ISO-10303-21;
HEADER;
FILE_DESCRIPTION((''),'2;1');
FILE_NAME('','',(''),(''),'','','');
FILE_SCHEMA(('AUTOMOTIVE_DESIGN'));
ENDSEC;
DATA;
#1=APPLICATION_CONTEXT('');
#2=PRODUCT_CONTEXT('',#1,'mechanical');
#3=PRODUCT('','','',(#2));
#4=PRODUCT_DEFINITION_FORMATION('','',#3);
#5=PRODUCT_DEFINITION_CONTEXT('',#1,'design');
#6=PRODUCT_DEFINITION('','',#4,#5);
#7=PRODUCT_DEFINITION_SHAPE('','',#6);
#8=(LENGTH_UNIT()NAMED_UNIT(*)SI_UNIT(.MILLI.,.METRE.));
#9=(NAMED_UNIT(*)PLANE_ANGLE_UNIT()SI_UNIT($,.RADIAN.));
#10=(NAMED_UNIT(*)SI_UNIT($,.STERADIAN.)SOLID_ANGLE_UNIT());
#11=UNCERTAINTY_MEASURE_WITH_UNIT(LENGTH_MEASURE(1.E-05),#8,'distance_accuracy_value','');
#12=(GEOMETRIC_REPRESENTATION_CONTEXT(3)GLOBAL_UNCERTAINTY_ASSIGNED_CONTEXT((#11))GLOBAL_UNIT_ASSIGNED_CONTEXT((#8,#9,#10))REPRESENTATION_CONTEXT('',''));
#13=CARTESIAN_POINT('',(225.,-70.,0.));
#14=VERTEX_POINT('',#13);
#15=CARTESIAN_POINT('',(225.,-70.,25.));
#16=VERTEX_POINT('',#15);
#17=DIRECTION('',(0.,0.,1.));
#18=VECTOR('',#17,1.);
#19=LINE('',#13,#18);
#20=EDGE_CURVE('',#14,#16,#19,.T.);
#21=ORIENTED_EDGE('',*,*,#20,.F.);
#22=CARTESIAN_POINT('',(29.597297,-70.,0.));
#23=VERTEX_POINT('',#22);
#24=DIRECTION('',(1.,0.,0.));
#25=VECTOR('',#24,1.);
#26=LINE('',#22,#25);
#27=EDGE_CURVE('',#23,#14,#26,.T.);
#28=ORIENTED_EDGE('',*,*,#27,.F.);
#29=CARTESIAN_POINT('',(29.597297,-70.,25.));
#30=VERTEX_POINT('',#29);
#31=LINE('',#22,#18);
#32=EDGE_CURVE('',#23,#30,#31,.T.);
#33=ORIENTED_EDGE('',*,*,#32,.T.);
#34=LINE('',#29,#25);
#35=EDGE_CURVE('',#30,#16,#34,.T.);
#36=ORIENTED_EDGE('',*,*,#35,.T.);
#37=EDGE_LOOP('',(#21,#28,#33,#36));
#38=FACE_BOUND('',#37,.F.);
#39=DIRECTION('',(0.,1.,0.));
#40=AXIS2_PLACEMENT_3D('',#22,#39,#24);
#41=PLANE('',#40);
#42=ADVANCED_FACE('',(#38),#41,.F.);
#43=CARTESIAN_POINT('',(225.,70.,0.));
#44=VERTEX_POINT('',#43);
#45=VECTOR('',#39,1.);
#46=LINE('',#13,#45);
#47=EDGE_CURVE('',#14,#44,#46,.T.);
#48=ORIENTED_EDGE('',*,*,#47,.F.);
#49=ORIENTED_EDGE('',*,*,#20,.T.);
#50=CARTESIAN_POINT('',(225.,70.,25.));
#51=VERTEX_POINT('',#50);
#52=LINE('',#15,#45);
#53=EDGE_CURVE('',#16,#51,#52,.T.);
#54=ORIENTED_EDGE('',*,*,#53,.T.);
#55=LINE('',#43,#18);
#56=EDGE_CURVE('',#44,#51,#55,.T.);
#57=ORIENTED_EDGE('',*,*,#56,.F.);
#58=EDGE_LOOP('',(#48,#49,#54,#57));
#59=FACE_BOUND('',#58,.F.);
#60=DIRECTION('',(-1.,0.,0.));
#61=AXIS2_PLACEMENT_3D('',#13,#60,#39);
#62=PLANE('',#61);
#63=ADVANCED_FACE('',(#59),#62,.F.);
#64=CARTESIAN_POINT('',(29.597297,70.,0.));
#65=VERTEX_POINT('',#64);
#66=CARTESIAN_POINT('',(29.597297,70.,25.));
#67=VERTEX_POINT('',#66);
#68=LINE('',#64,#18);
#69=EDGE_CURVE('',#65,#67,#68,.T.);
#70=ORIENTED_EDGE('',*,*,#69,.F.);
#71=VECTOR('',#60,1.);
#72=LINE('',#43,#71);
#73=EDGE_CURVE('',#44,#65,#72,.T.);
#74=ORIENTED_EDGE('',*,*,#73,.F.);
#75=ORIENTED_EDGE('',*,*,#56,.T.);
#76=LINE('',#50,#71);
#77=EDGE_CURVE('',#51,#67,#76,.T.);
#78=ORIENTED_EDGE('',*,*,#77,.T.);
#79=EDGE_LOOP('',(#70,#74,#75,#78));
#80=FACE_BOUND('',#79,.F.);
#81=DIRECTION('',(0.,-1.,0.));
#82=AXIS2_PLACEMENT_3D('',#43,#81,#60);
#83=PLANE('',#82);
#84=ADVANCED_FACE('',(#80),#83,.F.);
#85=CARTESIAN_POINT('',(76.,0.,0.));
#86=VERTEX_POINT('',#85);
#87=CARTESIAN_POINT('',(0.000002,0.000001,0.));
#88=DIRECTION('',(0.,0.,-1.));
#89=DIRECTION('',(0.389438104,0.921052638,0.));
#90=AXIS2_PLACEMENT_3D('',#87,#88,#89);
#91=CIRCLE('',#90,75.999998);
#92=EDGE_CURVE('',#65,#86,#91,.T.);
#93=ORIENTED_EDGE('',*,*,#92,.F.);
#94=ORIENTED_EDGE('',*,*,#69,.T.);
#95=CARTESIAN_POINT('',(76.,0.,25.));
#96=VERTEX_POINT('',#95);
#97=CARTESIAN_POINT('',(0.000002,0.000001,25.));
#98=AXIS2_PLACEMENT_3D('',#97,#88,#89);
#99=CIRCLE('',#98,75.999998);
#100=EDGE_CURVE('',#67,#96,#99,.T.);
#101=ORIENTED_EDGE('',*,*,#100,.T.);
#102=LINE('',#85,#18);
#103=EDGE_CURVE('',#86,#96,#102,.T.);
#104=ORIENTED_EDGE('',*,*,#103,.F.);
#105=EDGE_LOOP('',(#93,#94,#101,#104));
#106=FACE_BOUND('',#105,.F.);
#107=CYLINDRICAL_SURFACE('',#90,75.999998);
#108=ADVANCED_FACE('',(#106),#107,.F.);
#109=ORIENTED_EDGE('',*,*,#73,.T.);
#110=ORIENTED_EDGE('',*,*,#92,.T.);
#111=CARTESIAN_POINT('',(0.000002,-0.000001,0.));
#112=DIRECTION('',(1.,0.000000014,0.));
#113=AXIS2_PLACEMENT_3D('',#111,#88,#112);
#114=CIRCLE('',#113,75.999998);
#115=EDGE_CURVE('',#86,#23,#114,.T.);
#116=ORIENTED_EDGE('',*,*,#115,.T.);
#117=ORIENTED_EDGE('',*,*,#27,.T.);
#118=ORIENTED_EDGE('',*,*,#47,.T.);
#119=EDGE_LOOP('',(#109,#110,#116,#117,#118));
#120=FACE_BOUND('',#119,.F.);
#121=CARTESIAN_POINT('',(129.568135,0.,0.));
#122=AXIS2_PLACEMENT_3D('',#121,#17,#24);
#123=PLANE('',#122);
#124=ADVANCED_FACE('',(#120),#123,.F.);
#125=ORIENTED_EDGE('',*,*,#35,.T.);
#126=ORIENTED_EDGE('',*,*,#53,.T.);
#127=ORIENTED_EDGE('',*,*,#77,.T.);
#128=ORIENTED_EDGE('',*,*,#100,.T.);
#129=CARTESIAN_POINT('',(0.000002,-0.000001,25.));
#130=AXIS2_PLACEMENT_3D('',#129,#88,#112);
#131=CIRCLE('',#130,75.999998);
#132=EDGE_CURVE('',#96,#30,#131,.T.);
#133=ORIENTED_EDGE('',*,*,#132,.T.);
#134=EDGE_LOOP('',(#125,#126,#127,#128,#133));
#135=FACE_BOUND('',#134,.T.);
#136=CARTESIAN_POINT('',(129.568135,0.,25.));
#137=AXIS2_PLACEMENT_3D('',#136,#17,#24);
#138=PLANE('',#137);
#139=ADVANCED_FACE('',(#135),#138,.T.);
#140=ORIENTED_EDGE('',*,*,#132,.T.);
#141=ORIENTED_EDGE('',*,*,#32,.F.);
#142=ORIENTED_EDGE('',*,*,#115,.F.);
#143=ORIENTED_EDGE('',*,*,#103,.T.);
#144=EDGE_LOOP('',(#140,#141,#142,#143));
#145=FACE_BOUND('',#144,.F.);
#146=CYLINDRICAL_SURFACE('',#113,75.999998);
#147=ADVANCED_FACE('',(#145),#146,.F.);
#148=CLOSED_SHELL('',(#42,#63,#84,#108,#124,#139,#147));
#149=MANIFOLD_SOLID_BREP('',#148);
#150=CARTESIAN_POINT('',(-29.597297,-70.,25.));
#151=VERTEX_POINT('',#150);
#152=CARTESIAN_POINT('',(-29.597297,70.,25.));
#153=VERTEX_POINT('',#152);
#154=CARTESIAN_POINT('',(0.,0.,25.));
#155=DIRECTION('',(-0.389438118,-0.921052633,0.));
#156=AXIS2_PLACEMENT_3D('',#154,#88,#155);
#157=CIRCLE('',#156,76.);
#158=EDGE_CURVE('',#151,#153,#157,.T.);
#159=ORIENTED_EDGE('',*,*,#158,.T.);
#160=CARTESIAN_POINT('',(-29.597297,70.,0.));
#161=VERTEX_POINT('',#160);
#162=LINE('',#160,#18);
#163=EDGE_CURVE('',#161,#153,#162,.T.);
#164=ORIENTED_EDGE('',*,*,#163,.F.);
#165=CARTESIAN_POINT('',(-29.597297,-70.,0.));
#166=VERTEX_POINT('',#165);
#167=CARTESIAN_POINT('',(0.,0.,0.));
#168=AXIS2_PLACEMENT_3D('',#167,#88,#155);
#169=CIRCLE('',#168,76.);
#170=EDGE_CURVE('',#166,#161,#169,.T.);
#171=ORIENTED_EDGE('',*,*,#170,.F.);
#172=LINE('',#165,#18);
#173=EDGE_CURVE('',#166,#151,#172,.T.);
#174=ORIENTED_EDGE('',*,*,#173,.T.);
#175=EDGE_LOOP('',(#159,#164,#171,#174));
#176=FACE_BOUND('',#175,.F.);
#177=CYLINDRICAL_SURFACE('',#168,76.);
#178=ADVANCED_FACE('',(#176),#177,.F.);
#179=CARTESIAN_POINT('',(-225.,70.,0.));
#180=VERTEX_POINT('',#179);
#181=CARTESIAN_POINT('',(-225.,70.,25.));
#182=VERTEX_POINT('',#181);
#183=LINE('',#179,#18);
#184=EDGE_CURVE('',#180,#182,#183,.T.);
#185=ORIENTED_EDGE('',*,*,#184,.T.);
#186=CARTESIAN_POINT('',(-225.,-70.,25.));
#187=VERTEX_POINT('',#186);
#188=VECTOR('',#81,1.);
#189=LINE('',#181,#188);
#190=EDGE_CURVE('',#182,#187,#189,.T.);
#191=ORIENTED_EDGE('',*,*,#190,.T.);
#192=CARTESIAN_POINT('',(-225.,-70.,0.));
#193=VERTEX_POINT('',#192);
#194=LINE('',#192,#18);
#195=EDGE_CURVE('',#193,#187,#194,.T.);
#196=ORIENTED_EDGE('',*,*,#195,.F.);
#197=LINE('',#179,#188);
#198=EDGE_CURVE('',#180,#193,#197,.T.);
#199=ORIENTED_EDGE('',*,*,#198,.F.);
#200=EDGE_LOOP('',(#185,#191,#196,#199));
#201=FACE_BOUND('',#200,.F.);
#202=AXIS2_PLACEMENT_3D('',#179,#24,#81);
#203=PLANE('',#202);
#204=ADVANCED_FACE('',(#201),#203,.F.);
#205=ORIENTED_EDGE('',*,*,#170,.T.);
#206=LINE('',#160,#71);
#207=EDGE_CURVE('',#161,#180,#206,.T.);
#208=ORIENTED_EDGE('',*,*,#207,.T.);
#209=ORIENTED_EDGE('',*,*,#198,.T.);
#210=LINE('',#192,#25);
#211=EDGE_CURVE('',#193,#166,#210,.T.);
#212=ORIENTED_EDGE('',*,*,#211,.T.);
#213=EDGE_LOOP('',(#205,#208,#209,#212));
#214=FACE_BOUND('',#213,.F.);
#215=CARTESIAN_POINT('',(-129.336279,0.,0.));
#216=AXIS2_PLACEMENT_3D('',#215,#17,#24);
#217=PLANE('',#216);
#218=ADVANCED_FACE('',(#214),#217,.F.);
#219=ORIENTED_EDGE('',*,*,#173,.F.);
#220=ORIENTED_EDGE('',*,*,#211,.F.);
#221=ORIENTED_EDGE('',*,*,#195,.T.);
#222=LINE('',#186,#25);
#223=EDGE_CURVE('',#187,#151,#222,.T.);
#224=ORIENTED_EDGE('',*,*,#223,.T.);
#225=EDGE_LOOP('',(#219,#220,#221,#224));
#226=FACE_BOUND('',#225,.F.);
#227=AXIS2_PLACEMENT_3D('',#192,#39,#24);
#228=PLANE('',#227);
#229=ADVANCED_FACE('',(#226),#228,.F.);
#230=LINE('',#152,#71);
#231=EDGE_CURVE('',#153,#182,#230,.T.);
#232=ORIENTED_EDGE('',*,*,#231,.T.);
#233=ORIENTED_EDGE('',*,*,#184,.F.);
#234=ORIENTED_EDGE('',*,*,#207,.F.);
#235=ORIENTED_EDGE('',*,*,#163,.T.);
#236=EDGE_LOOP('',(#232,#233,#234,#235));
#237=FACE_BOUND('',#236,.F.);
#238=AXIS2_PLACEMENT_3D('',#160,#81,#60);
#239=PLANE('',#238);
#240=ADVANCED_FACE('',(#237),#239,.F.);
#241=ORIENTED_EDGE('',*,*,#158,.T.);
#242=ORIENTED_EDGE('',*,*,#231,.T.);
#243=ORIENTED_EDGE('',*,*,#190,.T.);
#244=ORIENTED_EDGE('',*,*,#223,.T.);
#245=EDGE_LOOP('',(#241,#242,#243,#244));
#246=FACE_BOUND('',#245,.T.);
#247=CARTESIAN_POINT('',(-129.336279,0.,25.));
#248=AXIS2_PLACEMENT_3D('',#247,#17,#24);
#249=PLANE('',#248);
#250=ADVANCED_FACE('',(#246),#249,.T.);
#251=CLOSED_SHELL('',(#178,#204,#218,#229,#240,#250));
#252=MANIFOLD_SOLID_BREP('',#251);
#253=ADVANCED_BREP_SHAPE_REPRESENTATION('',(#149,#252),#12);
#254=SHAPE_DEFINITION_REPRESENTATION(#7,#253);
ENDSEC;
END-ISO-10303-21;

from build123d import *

# Parameters (mm, degrees)
F1_DEPTH = 25


with BuildPart() as f1:
    # F0 (on Top) → F1 (new body)
    with BuildSketch(Plane.XY):
        with BuildLine():
            ThreePointArc((29.597297, 70), (63.345855, 41.991698), (76, 0))
            ThreePointArc((76, 0), (63.345855, -41.991698), (29.597297, -70))
            Line((29.597297, -70), (225, -70))
            Line((225, -70), (225, 70))
            Line((225, 70), (29.597297, 70))
        make_face()
        with BuildLine():
            ThreePointArc((-29.597297, -70), (-76, 0), (-29.597297, 70))
            Line((-29.597297, 70), (-225, 70))
            Line((-225, 70), (-225, -70))
            Line((-225, -70), (-29.597297, -70))
        make_face()
    extrude(amount=F1_DEPTH)


solid = f1.part
